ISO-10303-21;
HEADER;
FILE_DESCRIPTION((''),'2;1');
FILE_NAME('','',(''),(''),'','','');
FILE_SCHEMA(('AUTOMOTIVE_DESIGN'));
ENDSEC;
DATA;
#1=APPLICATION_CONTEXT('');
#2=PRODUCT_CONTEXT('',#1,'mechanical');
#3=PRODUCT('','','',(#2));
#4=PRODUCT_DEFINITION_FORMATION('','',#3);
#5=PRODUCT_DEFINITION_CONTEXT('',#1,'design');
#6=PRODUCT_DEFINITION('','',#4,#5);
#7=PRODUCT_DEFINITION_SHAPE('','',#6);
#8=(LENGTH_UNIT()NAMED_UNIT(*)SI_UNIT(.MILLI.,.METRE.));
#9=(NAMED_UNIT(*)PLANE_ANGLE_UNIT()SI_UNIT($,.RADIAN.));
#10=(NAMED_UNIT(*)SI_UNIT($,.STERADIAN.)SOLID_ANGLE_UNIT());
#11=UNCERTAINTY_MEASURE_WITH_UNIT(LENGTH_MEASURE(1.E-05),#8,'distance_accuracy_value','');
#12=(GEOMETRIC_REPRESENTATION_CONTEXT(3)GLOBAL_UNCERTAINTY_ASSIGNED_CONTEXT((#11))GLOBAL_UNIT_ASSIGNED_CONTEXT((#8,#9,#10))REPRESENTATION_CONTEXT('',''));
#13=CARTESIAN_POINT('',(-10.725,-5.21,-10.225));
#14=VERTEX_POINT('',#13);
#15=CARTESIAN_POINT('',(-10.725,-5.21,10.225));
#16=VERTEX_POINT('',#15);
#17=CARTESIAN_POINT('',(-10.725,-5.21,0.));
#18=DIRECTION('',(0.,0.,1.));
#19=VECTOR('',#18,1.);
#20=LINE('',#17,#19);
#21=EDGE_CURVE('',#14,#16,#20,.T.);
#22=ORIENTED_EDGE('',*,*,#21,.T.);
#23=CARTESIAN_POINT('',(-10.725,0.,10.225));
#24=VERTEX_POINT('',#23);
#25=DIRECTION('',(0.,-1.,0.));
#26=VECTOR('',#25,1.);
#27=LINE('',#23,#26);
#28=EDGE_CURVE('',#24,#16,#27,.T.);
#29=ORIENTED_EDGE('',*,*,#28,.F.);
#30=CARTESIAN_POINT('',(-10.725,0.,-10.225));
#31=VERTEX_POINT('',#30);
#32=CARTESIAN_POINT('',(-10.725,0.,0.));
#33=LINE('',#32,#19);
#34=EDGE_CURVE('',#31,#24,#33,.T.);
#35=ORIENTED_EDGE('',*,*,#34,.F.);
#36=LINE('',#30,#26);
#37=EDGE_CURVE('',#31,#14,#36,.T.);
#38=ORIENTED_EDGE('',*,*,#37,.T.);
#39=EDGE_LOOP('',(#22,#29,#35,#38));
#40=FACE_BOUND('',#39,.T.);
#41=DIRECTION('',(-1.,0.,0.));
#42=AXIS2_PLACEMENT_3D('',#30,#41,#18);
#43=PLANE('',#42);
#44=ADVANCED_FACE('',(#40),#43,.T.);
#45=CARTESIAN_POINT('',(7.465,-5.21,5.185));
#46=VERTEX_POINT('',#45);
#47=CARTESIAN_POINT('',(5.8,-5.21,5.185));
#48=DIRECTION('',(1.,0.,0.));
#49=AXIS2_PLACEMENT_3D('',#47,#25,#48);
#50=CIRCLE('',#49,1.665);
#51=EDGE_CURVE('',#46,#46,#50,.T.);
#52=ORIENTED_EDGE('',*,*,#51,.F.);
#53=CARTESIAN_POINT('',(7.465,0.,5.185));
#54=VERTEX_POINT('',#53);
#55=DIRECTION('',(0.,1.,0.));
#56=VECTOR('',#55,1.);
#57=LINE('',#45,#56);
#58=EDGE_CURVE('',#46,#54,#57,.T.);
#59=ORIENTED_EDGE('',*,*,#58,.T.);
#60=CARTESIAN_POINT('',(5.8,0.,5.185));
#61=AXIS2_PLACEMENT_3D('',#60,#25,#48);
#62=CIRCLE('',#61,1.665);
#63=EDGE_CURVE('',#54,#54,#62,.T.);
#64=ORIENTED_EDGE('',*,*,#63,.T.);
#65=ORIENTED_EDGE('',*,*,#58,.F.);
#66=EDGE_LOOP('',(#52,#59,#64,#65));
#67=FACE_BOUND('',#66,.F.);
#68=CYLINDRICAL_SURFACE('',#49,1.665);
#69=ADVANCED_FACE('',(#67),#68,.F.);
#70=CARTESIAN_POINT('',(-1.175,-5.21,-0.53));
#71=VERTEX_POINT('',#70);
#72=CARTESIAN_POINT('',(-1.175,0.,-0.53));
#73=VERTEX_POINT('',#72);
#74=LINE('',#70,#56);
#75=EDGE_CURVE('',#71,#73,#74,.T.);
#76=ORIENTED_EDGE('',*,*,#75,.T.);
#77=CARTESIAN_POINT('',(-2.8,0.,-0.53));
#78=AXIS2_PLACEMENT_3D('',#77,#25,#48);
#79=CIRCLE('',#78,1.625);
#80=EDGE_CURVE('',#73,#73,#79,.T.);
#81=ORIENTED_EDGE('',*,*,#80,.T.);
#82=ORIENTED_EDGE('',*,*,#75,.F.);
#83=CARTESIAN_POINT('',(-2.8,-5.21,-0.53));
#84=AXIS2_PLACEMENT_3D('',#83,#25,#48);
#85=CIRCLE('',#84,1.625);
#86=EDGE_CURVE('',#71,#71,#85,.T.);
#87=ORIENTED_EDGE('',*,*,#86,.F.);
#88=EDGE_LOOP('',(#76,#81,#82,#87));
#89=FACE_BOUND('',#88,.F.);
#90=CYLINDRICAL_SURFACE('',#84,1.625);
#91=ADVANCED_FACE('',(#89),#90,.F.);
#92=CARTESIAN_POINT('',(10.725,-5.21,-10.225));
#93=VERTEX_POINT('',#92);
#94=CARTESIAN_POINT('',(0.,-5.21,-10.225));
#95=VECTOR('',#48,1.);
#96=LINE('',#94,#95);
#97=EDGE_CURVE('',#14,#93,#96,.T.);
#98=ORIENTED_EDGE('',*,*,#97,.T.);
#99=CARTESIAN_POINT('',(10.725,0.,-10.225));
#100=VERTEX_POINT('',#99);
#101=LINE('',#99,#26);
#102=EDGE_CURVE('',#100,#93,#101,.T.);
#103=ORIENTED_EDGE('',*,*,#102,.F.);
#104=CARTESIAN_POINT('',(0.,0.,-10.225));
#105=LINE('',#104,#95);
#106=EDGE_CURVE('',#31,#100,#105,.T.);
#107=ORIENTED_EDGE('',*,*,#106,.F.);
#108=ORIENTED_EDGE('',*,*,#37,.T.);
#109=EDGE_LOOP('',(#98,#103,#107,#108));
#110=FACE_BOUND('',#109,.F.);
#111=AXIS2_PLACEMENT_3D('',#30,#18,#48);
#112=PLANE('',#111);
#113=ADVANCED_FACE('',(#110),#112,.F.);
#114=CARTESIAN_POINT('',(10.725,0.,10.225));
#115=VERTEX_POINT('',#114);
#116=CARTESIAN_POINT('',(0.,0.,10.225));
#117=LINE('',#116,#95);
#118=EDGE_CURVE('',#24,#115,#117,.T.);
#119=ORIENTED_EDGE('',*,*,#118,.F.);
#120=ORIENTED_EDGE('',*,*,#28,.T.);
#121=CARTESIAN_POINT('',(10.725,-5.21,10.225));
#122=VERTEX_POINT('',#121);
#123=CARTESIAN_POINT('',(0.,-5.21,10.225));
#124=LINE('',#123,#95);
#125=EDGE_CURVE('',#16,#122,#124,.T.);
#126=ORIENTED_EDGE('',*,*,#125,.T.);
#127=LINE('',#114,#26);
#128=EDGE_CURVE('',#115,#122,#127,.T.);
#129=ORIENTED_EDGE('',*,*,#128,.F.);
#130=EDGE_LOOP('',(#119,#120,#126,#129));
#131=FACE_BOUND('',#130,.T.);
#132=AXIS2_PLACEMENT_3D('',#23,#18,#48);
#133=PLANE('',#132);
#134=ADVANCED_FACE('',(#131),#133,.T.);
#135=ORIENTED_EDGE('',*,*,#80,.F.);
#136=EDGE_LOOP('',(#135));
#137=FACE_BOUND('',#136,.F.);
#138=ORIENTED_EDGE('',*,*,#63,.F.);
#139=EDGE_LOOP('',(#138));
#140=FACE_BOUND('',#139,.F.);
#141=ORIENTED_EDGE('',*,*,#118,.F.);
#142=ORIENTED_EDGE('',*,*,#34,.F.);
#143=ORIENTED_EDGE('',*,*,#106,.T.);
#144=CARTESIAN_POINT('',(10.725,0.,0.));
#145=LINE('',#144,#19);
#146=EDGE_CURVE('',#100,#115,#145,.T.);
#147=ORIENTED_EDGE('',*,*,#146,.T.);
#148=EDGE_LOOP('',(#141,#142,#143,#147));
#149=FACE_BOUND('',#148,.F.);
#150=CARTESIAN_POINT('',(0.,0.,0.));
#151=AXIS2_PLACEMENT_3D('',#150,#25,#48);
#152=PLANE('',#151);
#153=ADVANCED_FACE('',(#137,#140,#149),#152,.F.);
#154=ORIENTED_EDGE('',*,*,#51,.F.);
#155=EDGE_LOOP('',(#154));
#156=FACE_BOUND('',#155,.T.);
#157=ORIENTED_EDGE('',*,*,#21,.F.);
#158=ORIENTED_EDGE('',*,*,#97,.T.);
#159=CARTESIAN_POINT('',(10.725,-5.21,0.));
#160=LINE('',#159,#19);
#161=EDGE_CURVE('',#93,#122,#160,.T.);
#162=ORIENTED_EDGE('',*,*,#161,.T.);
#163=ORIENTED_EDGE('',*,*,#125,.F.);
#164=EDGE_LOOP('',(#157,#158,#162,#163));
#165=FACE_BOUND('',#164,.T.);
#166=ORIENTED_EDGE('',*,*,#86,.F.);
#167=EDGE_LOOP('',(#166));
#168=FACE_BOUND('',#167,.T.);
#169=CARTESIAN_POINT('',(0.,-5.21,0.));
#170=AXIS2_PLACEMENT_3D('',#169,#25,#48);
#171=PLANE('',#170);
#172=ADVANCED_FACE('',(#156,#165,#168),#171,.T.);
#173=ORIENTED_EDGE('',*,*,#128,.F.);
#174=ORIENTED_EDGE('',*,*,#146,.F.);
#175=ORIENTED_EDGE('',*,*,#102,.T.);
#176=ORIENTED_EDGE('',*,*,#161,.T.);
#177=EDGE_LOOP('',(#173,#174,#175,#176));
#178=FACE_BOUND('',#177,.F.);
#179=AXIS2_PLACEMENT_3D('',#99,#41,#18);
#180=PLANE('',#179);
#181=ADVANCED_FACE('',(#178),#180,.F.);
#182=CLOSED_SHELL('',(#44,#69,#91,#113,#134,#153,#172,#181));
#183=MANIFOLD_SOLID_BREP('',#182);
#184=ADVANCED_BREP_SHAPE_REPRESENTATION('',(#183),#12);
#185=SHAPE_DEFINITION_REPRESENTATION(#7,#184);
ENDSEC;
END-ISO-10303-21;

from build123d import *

# Parameters (mm, degrees)
F0_W     = 21.45
F0_H     = 20.45
F1_DEPTH = 5.21
F3_R     = 1.625
F2_R     = 1.665
F4_DEPTH = 5.211


with BuildPart() as f1:
    # F0 (on Front) → F1 (new body)
    with BuildSketch(Plane.XZ):
        Rectangle(F0_W, F0_H)
    extrude(amount=F1_DEPTH)

    # F3 (on face) + F2 (on face) → F4 (cut, through all)
    with BuildSketch(Plane.XZ.offset(5.21)):
        with Locations((-2.8, -0.53)):
            Circle(F3_R)
    with BuildSketch(Plane.XZ.offset(5.21)):
        with Locations((5.8, 5.185)):
            Circle(F2_R)
    extrude(amount=-F4_DEPTH, mode=Mode.SUBTRACT)


solid = f1.part
